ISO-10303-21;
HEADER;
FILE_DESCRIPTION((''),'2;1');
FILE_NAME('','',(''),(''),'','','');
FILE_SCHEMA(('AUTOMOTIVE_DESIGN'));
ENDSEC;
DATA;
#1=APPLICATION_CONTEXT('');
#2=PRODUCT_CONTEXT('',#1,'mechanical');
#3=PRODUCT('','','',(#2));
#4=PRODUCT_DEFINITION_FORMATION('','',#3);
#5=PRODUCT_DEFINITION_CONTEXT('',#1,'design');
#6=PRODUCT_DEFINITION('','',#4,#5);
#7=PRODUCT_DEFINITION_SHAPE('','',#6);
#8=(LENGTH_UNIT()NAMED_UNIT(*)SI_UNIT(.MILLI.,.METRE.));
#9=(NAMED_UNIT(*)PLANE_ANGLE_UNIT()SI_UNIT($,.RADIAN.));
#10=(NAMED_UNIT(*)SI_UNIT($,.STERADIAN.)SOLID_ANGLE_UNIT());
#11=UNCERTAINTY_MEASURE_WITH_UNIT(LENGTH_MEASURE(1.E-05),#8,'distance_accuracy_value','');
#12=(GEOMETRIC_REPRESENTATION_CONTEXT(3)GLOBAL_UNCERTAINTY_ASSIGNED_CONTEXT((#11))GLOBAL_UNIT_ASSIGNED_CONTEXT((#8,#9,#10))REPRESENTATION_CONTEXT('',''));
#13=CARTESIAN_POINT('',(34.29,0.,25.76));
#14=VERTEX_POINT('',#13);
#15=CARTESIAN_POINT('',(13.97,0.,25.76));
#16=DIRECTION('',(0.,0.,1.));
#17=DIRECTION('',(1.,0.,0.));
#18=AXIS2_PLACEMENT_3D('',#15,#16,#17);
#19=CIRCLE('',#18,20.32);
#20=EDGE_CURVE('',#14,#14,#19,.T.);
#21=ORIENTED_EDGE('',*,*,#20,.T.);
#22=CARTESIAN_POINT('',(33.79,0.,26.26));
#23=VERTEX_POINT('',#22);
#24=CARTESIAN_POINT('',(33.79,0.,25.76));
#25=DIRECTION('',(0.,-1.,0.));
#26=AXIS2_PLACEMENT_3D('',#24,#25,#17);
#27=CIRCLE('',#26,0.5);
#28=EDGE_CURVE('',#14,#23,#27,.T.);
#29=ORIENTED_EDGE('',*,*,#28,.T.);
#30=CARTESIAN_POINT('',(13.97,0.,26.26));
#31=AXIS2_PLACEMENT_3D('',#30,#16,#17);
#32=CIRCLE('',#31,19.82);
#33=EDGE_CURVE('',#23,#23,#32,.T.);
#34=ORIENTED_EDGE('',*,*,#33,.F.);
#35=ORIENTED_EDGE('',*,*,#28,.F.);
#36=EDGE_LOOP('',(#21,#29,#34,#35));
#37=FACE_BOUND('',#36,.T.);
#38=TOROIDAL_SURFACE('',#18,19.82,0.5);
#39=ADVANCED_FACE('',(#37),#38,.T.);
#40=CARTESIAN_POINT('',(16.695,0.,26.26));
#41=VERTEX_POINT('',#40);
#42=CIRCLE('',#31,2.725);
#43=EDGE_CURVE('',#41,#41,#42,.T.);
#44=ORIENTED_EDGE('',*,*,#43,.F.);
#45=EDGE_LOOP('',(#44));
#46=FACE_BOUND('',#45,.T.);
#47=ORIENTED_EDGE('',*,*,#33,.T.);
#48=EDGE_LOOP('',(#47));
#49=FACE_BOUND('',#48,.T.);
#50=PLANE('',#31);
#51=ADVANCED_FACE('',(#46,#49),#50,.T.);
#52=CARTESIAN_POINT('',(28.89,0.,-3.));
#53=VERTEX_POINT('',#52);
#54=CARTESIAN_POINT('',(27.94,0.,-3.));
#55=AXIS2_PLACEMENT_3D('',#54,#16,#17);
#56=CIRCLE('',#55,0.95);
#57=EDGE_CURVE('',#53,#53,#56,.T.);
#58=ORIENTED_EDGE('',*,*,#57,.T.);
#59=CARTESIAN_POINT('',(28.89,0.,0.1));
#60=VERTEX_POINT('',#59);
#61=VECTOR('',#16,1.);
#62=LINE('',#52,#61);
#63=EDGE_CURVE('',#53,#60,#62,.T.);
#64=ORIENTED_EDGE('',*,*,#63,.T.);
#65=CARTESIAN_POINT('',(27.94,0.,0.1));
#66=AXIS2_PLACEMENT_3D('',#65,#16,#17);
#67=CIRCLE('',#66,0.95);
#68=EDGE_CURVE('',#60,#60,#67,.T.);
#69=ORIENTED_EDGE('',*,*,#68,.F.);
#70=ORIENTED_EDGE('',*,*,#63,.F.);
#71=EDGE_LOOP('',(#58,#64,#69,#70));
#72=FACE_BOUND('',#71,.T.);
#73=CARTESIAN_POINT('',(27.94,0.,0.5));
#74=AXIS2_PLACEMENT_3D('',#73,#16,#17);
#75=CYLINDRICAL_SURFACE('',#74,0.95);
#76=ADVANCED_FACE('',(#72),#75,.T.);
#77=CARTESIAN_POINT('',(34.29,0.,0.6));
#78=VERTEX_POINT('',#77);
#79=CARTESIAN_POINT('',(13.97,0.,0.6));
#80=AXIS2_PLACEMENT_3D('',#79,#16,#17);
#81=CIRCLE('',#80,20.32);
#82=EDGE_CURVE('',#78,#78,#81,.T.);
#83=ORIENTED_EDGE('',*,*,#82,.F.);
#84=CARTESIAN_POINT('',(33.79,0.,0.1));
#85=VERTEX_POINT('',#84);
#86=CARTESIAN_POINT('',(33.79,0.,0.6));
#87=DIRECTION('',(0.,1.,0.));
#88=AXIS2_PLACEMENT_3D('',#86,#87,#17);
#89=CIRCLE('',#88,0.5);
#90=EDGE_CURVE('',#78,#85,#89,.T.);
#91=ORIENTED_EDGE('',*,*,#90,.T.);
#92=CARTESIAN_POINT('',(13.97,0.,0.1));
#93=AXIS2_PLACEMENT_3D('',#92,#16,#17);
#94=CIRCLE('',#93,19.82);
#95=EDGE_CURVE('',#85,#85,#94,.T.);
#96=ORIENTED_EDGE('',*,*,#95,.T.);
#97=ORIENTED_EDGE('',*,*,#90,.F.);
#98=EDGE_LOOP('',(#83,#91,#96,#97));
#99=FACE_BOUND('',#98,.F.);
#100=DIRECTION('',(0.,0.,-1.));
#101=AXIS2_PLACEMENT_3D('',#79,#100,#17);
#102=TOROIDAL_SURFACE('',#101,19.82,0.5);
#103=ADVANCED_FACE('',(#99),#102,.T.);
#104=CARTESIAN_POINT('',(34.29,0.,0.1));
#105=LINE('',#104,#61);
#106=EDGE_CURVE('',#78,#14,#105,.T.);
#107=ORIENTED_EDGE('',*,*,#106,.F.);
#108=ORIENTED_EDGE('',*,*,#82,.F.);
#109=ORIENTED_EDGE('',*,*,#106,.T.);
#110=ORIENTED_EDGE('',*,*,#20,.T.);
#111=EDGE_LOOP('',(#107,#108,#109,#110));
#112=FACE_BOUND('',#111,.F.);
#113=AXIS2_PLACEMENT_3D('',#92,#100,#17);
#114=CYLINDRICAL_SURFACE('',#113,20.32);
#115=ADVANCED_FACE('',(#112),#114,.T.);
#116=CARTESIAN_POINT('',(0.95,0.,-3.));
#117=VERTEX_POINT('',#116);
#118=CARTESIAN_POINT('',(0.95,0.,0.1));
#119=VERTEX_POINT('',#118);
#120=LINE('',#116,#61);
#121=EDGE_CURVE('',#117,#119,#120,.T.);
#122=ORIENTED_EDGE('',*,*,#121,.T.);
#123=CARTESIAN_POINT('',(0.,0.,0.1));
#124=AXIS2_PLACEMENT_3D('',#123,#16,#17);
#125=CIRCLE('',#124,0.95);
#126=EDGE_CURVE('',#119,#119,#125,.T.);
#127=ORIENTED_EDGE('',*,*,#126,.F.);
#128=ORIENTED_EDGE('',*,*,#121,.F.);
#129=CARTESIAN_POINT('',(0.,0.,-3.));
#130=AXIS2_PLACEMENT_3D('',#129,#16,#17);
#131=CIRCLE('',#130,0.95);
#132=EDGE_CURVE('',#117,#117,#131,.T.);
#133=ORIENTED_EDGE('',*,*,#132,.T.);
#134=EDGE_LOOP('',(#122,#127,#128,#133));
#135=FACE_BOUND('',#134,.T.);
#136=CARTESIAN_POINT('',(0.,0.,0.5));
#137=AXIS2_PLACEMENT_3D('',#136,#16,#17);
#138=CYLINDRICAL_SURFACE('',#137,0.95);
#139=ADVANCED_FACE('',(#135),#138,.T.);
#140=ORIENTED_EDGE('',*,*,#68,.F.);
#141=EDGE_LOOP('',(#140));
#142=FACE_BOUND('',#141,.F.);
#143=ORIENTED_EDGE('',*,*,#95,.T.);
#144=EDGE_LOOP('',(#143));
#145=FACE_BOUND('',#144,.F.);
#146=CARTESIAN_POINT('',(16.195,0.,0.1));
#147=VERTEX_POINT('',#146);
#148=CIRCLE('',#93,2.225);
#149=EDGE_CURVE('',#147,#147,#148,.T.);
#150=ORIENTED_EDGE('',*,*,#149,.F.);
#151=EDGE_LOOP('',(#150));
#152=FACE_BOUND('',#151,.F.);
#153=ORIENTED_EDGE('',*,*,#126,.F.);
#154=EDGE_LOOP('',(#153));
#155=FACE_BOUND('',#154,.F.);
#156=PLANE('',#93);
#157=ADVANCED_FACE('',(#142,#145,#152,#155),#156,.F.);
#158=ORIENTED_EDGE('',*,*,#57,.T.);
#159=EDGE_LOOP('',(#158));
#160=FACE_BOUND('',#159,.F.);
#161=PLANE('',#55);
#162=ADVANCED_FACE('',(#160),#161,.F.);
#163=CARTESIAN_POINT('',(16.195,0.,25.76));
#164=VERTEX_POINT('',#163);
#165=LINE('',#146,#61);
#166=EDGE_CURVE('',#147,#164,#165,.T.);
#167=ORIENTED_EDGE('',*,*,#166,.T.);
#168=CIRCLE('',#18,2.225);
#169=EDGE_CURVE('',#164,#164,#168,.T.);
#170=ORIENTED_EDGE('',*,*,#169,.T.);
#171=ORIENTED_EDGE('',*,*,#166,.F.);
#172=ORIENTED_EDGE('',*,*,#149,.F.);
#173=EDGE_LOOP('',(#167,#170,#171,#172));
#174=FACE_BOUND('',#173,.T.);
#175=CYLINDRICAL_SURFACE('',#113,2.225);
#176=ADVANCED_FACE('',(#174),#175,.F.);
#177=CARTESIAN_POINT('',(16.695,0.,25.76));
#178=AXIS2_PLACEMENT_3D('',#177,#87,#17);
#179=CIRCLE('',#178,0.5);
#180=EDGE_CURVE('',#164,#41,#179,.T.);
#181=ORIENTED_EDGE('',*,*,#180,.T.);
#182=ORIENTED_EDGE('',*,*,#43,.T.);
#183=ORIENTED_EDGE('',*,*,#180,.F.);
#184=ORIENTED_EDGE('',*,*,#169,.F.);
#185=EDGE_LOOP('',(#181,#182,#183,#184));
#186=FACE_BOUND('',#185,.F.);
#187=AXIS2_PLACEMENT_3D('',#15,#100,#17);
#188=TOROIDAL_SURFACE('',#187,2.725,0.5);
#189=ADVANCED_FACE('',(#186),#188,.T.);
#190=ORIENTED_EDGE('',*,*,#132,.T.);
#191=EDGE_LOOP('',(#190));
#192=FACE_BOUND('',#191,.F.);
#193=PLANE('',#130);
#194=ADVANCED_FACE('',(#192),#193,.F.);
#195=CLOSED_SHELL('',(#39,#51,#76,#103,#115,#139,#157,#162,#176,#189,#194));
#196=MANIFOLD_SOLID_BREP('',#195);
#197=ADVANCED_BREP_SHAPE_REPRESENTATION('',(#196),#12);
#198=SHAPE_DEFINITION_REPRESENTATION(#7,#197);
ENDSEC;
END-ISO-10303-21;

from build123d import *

# Parameters (mm, degrees)
SKETCH001_R       = 0.95
PAD001_DEPTH      = 13.08
PAD001_DEPTH_BACK = 3.5
SKETCH_R          = 20.32
SKETCH_R_2        = 2.225
PAD_DEPTH         = 26.16
FILLET_R          = 0.5


with BuildPart() as pad001:
    # Sketch001 → Pad001 (new body, two sides)
    with BuildSketch(Plane.XY.offset(0.5)) as pad001_sk:
        Circle(SKETCH001_R)
        with Locations((27.94, 0)):
            Circle(SKETCH001_R)
    extrude(amount=PAD001_DEPTH)
    extrude(pad001_sk.sketch, amount=-PAD001_DEPTH_BACK)


with BuildPart() as fillet_mp_cp:
    # Sketch → Pad (new body)
    with BuildSketch(Plane.XY.offset(0.1)):
        with Locations((13.97, 0)):
            Circle(SKETCH_R)
        with Locations((13.97, 0)):
            Circle(SKETCH_R_2, mode=Mode.SUBTRACT)
    extrude(amount=PAD_DEPTH)

    # Fillet
    fillet_edges = [fillet_mp_cp.edges().sort_by_distance(p)[0] for p in [
        (11.745, 0, 26.26),
        (-6.35, 0, 26.26),
        (-6.35, 0, 0.1),
    ]]
    fillet(fillet_edges, radius=FILLET_R)

    # Fillet_mp_cp: union Pad001
    add(pad001.part)


solid = fillet_mp_cp.part
